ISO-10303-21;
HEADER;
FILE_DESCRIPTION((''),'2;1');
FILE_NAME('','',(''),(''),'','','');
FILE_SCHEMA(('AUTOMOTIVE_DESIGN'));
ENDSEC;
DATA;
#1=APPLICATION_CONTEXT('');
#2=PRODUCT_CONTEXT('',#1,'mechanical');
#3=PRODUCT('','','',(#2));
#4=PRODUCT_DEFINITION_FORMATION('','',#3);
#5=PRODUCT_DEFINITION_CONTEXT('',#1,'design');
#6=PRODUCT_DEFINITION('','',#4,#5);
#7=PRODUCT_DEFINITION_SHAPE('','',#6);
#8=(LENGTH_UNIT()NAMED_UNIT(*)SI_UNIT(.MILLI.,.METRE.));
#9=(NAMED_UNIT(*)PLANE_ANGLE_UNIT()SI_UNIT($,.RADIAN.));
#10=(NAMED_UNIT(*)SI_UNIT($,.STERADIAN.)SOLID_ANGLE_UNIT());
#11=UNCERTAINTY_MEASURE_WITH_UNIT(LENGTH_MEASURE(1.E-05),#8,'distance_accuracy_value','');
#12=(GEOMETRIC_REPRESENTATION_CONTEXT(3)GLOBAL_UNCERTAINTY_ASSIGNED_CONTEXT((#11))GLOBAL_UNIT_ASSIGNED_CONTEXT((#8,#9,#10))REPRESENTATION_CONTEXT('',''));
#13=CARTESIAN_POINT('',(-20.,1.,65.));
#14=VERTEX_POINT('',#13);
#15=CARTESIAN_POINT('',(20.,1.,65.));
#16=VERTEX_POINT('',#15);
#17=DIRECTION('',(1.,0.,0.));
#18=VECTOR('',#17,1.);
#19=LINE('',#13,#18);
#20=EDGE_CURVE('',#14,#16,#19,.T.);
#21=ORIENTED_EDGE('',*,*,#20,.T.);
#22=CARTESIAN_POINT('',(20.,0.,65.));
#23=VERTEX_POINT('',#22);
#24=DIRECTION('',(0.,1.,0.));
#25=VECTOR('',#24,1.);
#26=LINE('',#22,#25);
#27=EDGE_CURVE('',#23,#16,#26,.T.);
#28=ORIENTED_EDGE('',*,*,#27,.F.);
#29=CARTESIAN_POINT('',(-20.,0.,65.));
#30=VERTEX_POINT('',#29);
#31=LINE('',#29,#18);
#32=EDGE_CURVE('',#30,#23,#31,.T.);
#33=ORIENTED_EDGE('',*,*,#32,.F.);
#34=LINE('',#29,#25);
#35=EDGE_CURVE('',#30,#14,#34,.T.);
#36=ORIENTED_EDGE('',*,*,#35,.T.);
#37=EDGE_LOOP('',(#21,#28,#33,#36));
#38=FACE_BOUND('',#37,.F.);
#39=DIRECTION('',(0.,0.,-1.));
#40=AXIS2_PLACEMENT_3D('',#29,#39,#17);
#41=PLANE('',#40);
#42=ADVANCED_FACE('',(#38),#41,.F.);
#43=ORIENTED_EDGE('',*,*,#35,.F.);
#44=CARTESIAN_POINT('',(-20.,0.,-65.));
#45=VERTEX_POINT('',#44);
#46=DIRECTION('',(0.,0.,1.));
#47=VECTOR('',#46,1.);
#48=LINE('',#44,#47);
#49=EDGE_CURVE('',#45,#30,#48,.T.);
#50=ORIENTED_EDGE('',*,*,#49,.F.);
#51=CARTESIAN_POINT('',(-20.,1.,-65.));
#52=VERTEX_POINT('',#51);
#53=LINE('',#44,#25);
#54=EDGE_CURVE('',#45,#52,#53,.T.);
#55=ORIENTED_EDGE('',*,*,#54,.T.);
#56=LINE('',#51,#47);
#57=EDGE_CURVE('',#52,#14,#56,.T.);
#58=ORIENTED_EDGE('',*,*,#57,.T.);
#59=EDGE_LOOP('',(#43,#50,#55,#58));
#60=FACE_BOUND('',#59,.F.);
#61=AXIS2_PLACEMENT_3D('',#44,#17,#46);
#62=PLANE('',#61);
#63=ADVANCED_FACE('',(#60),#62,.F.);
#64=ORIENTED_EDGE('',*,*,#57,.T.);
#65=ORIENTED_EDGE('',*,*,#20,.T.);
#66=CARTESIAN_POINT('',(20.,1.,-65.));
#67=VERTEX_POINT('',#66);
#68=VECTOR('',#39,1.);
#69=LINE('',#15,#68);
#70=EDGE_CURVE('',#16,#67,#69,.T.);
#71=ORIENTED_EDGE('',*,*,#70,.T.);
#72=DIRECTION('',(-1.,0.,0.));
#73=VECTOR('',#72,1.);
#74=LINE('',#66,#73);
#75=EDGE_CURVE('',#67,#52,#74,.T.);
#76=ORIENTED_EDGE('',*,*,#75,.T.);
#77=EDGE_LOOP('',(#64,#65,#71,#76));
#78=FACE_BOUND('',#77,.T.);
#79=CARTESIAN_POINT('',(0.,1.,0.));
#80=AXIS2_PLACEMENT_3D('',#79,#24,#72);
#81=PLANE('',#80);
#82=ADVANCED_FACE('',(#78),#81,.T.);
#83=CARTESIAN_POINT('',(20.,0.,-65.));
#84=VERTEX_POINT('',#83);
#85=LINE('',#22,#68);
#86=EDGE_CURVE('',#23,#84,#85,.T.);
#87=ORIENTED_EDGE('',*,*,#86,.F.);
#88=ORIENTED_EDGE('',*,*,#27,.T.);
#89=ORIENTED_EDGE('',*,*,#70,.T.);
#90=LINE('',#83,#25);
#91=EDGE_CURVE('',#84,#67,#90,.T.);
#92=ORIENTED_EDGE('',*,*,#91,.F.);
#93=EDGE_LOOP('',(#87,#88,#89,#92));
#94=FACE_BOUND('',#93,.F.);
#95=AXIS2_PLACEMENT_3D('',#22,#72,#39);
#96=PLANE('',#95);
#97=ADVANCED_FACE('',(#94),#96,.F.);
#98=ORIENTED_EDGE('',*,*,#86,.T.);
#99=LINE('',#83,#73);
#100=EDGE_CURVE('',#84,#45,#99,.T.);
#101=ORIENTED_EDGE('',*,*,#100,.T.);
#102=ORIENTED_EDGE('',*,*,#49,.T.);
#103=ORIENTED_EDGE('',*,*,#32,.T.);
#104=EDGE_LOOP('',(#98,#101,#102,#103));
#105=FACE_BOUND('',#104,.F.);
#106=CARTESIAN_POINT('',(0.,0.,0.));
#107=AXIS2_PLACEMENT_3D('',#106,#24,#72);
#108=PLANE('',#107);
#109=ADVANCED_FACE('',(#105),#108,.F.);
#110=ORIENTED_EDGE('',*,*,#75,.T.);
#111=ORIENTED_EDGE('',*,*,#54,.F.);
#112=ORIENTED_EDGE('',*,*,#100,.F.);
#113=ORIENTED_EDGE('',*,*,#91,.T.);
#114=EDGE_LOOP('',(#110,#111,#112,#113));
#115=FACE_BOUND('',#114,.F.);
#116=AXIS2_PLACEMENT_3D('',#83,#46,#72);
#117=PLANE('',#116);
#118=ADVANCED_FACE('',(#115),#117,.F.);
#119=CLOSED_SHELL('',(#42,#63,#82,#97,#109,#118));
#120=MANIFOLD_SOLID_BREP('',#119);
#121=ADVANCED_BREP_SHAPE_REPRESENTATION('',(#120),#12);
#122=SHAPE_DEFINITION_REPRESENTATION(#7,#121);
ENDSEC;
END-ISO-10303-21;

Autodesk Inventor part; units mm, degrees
ref_plane "YZ Plane" through (0, 0, 0) normal (1, 0, 0) x (0, 1, 0)
ref_plane "XZ Plane" through (0, 0, 0) normal (0, 1, 0) x (-1, 0, 0)
ref_plane "XY Plane" through (0, 0, 0) normal (0, 0, 1) x (1, 0, 0)
sketch "Sketch1" plane through (0, 0, 0) normal (0, 1, 0) x (-1, 0, 0)
  line L0 (20, 65) -> (-20, 65)
  line L1 (-20, 65) -> (-20, -65)
  line L2 (-20, -65) -> (20, -65)
  line L3 (20, -65) -> (20, 65)
  point P0 (0, 0)
  point P1 (20, 0)
  point P2 (0, 65)
  dimension "d0" = 40
  dimension "d1" = 130
extrude "Extrusion1" add sketch "Sketch1" along normal blind 1
properties part number "phone_cushion"
